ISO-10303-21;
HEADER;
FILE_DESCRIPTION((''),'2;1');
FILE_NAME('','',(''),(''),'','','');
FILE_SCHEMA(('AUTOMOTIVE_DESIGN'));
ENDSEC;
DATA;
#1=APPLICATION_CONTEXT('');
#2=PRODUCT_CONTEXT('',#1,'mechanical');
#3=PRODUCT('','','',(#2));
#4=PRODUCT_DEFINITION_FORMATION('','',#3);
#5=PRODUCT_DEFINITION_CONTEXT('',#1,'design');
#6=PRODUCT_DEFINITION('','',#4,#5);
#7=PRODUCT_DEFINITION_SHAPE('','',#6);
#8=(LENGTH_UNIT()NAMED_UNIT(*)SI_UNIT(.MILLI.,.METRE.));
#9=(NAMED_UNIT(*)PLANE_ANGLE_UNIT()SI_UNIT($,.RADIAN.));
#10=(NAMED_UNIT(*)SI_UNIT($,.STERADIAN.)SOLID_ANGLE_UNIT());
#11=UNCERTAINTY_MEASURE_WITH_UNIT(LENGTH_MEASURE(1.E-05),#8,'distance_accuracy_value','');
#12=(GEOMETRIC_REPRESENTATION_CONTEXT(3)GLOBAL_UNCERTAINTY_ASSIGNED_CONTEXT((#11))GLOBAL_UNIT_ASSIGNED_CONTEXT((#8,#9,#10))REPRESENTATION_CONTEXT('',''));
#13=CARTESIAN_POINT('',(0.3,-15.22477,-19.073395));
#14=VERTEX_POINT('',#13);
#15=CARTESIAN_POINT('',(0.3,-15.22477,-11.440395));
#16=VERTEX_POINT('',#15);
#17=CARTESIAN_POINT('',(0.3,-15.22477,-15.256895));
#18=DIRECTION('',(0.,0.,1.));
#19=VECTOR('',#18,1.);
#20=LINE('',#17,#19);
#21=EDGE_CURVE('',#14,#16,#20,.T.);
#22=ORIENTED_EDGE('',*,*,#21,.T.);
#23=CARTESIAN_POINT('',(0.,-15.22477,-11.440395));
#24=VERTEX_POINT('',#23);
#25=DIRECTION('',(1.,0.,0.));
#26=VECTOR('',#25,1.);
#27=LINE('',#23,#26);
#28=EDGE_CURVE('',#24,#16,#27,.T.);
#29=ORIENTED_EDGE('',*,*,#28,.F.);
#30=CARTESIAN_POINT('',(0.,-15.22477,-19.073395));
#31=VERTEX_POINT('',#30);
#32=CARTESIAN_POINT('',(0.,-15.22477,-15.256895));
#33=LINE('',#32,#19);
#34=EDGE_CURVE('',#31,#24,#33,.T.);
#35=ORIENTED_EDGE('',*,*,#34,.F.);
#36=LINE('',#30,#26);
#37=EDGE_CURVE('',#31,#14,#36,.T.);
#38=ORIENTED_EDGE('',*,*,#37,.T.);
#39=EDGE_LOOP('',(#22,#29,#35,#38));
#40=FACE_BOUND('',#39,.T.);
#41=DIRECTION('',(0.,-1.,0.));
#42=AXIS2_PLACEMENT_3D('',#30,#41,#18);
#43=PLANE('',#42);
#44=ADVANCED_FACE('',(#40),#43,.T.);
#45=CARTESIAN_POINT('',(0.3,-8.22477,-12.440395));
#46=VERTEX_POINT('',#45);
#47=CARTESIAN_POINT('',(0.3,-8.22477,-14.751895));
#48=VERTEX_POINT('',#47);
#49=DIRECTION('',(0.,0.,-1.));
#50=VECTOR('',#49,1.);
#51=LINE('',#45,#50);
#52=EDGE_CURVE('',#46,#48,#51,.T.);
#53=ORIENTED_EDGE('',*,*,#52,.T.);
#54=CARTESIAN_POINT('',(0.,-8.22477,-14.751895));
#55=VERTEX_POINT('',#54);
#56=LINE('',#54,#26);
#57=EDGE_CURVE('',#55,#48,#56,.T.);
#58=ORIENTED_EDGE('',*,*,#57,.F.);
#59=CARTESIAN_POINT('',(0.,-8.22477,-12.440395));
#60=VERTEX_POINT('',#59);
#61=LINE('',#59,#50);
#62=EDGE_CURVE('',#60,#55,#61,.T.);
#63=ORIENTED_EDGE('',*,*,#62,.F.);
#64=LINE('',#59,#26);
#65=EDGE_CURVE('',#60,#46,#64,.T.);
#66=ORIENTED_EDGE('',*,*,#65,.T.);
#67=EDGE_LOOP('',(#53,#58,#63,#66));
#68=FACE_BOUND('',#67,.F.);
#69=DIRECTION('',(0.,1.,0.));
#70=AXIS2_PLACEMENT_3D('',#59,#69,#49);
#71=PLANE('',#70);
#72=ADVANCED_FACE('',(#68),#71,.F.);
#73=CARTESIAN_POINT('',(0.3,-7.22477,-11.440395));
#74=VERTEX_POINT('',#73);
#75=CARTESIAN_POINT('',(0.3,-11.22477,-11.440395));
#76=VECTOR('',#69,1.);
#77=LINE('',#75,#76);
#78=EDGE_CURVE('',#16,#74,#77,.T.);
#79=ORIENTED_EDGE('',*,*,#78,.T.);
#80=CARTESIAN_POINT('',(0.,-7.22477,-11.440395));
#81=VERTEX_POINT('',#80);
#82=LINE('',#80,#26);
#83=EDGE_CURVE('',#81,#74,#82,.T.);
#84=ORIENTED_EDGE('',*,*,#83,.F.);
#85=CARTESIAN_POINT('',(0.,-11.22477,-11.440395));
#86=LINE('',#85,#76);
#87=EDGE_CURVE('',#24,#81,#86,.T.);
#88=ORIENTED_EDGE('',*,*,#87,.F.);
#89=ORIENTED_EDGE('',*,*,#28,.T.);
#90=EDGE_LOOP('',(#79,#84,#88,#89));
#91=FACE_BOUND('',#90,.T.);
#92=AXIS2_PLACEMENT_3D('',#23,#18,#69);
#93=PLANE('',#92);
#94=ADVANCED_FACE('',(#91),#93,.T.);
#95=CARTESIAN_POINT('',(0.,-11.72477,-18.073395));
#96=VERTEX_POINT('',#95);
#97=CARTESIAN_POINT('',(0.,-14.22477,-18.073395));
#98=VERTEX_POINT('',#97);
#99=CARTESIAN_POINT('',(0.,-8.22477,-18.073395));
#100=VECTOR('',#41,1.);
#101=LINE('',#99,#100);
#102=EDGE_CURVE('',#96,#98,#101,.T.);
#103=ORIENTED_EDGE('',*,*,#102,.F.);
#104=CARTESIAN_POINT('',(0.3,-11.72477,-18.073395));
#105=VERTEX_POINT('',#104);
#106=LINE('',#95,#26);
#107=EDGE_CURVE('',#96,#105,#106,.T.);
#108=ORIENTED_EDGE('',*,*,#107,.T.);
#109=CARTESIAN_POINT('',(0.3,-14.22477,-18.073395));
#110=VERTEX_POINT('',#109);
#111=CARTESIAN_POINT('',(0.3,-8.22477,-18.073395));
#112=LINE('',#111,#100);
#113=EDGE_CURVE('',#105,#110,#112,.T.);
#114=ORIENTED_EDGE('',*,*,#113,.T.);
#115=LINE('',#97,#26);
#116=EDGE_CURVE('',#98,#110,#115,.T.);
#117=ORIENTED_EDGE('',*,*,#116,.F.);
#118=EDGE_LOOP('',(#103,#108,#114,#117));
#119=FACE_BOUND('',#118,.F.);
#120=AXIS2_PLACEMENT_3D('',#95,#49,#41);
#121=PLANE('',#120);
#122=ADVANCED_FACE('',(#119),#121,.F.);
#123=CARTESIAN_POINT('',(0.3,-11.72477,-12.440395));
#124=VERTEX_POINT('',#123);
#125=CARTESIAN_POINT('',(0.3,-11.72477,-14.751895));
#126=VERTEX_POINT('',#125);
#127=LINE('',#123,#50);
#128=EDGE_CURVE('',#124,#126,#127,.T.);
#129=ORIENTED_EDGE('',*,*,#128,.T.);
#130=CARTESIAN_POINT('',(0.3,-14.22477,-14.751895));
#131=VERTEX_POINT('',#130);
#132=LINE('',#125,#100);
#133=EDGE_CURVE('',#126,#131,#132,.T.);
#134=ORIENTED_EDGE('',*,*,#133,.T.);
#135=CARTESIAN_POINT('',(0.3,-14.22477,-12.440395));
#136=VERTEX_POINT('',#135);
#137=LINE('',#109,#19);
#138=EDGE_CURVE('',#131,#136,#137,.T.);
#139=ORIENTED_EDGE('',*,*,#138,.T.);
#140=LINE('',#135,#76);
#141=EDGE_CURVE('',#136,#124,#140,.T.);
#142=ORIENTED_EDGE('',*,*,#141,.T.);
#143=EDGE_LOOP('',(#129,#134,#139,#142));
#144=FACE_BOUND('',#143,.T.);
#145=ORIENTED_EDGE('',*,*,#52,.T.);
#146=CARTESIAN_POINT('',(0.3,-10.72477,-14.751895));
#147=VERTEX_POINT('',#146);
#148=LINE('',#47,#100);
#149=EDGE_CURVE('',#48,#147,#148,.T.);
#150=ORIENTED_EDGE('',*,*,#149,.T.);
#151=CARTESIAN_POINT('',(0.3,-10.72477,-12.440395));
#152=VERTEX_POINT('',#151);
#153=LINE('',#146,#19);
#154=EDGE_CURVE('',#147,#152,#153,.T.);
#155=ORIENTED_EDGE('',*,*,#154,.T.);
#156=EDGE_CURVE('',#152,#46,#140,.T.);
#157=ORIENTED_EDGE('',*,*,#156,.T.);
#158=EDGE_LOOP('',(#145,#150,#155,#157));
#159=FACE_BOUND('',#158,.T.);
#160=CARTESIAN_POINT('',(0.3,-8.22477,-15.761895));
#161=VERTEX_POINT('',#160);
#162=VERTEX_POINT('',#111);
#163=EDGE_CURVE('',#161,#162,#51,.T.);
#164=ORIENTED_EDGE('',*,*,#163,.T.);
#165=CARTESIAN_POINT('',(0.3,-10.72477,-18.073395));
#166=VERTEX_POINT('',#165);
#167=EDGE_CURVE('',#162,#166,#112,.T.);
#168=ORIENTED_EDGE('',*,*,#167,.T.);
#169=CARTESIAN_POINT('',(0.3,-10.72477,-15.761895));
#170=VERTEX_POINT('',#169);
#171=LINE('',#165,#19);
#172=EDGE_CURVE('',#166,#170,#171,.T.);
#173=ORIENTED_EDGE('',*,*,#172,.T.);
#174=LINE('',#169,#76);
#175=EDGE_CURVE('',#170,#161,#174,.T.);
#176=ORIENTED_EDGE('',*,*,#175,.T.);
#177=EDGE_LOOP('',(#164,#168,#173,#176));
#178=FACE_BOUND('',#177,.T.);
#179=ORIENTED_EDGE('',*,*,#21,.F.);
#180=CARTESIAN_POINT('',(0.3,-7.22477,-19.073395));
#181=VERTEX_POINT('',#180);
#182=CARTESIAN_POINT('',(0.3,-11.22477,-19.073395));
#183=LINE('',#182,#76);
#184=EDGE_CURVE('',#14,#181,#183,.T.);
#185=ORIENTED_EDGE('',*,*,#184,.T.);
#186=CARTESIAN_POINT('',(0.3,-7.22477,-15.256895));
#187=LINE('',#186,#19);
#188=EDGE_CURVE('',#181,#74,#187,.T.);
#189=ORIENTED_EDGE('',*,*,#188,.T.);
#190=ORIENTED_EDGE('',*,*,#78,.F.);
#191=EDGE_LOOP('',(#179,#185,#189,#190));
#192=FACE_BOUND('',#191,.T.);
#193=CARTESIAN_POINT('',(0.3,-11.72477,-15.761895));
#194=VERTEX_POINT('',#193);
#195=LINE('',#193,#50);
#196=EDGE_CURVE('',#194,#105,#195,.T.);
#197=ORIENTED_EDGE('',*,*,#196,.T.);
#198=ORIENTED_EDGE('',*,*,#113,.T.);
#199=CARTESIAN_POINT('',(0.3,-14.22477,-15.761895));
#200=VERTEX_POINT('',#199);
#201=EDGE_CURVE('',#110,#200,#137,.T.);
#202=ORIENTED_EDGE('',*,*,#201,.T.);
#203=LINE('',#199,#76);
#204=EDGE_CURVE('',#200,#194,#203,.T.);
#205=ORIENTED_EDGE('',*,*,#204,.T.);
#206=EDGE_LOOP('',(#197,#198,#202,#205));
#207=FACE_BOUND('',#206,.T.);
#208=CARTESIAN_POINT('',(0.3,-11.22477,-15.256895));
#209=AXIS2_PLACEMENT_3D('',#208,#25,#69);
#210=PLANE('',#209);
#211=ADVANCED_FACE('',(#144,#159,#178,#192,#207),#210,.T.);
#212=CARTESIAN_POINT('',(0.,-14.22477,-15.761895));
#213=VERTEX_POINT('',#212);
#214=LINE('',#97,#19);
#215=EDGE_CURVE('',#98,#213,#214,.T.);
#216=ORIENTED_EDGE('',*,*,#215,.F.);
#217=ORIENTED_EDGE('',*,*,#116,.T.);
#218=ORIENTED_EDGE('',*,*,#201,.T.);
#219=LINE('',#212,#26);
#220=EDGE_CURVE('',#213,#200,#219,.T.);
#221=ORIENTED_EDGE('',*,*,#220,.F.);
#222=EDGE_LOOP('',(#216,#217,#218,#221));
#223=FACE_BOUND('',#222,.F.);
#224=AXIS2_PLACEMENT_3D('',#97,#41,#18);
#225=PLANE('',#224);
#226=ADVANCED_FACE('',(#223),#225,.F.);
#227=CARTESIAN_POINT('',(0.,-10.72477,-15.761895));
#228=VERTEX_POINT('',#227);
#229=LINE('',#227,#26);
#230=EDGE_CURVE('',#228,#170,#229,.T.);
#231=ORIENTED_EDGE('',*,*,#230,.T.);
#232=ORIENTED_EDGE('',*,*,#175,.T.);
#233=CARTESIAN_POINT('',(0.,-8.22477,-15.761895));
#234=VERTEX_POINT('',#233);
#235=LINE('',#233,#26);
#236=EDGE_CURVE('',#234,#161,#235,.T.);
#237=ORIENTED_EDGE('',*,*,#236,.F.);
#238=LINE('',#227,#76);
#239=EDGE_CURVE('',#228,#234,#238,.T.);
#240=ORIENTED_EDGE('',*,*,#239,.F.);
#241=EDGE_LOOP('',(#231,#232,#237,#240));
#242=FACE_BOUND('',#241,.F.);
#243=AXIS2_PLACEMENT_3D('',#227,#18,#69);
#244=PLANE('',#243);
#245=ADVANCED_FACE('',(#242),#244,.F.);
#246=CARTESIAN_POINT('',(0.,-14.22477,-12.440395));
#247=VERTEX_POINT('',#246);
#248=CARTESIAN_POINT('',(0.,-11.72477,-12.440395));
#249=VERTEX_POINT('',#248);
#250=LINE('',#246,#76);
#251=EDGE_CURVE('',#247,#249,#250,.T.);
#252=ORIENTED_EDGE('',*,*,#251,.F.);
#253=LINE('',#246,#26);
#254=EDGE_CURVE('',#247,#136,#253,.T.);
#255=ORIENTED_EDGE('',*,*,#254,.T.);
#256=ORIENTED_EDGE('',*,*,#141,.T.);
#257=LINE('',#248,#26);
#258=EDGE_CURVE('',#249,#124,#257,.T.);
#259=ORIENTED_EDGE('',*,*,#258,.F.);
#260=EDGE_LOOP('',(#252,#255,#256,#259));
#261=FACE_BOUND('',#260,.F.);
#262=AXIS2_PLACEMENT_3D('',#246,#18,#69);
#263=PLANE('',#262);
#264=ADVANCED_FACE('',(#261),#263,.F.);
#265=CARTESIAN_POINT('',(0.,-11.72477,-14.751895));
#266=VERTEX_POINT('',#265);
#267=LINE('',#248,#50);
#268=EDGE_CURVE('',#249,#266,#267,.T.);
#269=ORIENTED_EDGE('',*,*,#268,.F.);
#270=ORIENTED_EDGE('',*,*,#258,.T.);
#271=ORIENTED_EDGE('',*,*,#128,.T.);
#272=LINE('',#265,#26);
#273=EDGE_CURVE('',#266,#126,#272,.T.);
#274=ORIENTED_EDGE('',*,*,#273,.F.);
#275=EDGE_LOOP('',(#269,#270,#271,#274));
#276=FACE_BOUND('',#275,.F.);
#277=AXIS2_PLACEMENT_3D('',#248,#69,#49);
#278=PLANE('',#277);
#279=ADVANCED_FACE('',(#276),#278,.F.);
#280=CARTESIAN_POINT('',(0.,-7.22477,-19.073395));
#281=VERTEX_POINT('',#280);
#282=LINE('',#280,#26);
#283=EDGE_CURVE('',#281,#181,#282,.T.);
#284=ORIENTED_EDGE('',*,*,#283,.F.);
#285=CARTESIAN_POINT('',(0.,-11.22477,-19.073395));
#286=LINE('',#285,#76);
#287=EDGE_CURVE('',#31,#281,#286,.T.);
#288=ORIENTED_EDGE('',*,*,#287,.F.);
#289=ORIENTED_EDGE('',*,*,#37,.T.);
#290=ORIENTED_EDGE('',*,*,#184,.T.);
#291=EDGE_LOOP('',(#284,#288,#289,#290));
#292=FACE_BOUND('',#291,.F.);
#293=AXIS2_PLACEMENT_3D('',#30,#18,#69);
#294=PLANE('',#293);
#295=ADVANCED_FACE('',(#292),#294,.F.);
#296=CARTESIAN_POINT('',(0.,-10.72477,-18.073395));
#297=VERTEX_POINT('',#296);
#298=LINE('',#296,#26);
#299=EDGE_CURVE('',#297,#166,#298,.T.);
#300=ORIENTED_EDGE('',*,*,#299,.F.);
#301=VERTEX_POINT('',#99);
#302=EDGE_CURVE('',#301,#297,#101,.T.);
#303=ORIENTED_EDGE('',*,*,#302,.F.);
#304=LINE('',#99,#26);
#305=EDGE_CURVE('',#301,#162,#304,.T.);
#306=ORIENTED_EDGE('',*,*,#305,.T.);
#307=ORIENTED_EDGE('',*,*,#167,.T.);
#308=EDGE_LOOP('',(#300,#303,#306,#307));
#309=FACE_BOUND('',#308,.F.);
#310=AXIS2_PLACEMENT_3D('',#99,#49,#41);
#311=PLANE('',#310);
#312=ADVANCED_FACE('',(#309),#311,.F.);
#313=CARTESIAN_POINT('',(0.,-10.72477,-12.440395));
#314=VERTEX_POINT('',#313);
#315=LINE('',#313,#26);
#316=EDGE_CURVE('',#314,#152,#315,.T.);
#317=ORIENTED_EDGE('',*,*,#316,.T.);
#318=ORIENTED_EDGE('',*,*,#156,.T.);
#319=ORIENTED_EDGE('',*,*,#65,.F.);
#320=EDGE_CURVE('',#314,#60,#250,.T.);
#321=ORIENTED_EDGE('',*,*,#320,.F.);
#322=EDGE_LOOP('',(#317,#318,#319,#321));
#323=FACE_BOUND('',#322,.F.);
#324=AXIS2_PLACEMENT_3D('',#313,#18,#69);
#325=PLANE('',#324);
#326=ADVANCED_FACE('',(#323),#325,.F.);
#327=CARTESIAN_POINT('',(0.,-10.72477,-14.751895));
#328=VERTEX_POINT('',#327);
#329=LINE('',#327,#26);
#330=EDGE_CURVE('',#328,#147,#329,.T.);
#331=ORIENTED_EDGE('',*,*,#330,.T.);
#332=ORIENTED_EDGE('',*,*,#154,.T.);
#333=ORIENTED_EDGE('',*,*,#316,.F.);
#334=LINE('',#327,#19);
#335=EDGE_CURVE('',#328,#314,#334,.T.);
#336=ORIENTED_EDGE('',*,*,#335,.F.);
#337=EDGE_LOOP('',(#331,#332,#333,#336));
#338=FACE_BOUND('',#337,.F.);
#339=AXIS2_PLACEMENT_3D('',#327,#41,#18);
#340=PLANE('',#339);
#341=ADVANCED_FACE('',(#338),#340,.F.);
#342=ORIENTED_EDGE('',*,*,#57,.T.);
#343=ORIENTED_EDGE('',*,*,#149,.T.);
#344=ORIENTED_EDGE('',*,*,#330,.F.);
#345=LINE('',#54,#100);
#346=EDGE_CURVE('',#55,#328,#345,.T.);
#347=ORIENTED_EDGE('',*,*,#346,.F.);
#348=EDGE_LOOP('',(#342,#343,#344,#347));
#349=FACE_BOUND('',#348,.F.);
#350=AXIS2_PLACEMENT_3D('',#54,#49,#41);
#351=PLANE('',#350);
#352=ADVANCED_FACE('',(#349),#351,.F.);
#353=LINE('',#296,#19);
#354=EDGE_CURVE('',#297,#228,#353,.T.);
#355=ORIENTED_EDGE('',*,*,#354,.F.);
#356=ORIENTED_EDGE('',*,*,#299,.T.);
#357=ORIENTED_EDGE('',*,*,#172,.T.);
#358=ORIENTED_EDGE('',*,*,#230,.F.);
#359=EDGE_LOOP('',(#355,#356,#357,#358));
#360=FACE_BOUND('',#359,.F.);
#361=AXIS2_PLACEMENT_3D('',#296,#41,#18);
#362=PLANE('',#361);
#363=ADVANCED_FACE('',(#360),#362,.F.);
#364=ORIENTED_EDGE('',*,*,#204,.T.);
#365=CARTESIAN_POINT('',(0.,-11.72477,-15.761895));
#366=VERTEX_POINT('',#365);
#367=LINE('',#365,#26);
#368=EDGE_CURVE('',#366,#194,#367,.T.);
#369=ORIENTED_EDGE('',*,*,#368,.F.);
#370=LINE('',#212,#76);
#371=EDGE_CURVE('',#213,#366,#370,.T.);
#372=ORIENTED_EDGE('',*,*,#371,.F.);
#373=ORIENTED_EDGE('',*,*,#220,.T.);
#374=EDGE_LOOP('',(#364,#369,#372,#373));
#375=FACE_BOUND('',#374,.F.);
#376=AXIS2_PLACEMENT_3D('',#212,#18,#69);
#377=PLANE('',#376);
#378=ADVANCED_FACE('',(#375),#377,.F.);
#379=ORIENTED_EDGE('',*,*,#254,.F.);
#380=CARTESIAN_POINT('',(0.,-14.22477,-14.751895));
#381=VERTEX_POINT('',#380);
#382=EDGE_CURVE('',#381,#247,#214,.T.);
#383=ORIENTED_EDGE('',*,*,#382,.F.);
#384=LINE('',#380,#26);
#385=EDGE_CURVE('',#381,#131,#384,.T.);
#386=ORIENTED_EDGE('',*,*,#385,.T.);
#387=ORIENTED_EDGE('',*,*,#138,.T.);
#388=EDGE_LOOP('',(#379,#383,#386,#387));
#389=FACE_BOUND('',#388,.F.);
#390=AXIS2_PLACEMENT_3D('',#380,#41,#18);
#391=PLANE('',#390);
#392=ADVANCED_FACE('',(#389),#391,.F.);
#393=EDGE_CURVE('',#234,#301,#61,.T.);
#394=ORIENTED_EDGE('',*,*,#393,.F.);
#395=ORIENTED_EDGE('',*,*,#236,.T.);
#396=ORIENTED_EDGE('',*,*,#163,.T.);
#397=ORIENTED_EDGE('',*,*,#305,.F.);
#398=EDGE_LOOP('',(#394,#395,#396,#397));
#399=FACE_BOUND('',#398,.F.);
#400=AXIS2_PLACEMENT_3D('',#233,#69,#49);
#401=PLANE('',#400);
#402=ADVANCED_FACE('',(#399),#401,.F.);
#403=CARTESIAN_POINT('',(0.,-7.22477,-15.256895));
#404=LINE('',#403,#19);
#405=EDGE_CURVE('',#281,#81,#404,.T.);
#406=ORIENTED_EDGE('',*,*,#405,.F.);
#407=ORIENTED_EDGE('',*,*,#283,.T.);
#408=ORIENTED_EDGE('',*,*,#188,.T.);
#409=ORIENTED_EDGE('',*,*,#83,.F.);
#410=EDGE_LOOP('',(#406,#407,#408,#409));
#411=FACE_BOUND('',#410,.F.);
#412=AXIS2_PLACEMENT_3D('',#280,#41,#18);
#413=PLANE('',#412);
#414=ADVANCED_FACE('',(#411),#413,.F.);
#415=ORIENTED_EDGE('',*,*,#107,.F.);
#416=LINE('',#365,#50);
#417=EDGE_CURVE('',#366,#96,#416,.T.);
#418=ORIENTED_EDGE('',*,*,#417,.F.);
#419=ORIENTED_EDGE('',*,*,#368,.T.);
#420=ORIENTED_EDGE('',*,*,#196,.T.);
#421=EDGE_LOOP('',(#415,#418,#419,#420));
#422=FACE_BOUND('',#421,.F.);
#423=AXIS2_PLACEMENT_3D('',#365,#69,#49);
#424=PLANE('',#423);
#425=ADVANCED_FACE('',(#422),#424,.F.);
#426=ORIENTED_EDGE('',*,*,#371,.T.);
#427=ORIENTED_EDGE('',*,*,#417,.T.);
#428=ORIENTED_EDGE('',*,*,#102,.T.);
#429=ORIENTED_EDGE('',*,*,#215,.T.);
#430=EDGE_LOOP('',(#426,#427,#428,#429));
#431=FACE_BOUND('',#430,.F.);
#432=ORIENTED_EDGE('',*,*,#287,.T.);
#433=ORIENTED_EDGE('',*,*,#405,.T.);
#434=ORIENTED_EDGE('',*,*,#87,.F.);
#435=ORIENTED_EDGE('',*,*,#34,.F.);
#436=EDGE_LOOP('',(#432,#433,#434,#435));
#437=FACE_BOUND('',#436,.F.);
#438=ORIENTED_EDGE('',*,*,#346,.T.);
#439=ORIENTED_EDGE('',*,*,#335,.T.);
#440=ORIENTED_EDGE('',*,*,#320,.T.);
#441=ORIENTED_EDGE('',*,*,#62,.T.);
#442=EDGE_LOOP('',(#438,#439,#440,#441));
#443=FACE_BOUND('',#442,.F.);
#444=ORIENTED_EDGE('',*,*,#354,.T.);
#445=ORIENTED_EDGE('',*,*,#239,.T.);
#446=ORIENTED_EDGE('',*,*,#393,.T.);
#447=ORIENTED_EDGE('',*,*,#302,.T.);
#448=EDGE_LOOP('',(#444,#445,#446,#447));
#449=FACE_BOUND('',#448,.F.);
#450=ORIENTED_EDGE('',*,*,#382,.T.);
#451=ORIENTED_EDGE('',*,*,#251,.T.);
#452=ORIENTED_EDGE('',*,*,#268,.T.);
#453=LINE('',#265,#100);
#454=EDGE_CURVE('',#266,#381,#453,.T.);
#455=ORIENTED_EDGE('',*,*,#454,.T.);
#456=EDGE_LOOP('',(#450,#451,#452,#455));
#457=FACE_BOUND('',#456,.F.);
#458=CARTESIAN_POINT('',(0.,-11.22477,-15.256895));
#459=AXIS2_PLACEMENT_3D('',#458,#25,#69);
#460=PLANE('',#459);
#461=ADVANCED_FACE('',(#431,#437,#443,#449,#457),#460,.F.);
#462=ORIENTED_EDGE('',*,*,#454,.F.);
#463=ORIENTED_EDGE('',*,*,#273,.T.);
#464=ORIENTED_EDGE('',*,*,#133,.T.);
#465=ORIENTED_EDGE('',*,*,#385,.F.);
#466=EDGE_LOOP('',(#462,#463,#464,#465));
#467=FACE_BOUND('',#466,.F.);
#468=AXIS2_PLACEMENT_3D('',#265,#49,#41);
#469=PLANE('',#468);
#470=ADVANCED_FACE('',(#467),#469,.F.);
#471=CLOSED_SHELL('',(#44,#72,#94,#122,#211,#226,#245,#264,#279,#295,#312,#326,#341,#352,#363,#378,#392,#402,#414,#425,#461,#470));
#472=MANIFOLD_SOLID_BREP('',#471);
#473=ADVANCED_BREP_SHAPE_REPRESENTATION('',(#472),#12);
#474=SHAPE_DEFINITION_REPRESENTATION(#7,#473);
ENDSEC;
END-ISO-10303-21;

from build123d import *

# Parameters (mm, degrees)
F0_W     = 8
F0_H     = 7.633
F1_DEPTH = 0.3


with BuildPart() as f1:
    # F0 (on Right) → F1 (new body)
    with BuildSketch(Plane.YZ):
        with Locations((-11.22477, -15.256895)):
            Rectangle(F0_W, F0_H)
        Polygon((-14.22477, -14.751895), (-14.22477, -12.440395), (-11.72477, -12.440395), (-10.72477, -12.440395), (-8.22477, -12.440395), (-8.22477, -14.751895), (-8.22477, -15.761895), (-8.22477, -18.073395), (-10.72477, -18.073395), (-11.72477, -18.073395), (-14.22477, -18.073395), (-14.22477, -15.761895), align=None, mode=Mode.SUBTRACT)
        Polygon((-10.72477, -12.440395), (-11.72477, -12.440395), (-11.72477, -14.751895), (-14.22477, -14.751895), (-14.22477, -15.761895), (-11.72477, -15.761895), (-11.72477, -18.073395), (-10.72477, -18.073395), (-10.72477, -15.761895), (-8.22477, -15.761895), (-8.22477, -14.751895), (-10.72477, -14.751895), align=None)
    extrude(amount=F1_DEPTH)


solid = f1.part
